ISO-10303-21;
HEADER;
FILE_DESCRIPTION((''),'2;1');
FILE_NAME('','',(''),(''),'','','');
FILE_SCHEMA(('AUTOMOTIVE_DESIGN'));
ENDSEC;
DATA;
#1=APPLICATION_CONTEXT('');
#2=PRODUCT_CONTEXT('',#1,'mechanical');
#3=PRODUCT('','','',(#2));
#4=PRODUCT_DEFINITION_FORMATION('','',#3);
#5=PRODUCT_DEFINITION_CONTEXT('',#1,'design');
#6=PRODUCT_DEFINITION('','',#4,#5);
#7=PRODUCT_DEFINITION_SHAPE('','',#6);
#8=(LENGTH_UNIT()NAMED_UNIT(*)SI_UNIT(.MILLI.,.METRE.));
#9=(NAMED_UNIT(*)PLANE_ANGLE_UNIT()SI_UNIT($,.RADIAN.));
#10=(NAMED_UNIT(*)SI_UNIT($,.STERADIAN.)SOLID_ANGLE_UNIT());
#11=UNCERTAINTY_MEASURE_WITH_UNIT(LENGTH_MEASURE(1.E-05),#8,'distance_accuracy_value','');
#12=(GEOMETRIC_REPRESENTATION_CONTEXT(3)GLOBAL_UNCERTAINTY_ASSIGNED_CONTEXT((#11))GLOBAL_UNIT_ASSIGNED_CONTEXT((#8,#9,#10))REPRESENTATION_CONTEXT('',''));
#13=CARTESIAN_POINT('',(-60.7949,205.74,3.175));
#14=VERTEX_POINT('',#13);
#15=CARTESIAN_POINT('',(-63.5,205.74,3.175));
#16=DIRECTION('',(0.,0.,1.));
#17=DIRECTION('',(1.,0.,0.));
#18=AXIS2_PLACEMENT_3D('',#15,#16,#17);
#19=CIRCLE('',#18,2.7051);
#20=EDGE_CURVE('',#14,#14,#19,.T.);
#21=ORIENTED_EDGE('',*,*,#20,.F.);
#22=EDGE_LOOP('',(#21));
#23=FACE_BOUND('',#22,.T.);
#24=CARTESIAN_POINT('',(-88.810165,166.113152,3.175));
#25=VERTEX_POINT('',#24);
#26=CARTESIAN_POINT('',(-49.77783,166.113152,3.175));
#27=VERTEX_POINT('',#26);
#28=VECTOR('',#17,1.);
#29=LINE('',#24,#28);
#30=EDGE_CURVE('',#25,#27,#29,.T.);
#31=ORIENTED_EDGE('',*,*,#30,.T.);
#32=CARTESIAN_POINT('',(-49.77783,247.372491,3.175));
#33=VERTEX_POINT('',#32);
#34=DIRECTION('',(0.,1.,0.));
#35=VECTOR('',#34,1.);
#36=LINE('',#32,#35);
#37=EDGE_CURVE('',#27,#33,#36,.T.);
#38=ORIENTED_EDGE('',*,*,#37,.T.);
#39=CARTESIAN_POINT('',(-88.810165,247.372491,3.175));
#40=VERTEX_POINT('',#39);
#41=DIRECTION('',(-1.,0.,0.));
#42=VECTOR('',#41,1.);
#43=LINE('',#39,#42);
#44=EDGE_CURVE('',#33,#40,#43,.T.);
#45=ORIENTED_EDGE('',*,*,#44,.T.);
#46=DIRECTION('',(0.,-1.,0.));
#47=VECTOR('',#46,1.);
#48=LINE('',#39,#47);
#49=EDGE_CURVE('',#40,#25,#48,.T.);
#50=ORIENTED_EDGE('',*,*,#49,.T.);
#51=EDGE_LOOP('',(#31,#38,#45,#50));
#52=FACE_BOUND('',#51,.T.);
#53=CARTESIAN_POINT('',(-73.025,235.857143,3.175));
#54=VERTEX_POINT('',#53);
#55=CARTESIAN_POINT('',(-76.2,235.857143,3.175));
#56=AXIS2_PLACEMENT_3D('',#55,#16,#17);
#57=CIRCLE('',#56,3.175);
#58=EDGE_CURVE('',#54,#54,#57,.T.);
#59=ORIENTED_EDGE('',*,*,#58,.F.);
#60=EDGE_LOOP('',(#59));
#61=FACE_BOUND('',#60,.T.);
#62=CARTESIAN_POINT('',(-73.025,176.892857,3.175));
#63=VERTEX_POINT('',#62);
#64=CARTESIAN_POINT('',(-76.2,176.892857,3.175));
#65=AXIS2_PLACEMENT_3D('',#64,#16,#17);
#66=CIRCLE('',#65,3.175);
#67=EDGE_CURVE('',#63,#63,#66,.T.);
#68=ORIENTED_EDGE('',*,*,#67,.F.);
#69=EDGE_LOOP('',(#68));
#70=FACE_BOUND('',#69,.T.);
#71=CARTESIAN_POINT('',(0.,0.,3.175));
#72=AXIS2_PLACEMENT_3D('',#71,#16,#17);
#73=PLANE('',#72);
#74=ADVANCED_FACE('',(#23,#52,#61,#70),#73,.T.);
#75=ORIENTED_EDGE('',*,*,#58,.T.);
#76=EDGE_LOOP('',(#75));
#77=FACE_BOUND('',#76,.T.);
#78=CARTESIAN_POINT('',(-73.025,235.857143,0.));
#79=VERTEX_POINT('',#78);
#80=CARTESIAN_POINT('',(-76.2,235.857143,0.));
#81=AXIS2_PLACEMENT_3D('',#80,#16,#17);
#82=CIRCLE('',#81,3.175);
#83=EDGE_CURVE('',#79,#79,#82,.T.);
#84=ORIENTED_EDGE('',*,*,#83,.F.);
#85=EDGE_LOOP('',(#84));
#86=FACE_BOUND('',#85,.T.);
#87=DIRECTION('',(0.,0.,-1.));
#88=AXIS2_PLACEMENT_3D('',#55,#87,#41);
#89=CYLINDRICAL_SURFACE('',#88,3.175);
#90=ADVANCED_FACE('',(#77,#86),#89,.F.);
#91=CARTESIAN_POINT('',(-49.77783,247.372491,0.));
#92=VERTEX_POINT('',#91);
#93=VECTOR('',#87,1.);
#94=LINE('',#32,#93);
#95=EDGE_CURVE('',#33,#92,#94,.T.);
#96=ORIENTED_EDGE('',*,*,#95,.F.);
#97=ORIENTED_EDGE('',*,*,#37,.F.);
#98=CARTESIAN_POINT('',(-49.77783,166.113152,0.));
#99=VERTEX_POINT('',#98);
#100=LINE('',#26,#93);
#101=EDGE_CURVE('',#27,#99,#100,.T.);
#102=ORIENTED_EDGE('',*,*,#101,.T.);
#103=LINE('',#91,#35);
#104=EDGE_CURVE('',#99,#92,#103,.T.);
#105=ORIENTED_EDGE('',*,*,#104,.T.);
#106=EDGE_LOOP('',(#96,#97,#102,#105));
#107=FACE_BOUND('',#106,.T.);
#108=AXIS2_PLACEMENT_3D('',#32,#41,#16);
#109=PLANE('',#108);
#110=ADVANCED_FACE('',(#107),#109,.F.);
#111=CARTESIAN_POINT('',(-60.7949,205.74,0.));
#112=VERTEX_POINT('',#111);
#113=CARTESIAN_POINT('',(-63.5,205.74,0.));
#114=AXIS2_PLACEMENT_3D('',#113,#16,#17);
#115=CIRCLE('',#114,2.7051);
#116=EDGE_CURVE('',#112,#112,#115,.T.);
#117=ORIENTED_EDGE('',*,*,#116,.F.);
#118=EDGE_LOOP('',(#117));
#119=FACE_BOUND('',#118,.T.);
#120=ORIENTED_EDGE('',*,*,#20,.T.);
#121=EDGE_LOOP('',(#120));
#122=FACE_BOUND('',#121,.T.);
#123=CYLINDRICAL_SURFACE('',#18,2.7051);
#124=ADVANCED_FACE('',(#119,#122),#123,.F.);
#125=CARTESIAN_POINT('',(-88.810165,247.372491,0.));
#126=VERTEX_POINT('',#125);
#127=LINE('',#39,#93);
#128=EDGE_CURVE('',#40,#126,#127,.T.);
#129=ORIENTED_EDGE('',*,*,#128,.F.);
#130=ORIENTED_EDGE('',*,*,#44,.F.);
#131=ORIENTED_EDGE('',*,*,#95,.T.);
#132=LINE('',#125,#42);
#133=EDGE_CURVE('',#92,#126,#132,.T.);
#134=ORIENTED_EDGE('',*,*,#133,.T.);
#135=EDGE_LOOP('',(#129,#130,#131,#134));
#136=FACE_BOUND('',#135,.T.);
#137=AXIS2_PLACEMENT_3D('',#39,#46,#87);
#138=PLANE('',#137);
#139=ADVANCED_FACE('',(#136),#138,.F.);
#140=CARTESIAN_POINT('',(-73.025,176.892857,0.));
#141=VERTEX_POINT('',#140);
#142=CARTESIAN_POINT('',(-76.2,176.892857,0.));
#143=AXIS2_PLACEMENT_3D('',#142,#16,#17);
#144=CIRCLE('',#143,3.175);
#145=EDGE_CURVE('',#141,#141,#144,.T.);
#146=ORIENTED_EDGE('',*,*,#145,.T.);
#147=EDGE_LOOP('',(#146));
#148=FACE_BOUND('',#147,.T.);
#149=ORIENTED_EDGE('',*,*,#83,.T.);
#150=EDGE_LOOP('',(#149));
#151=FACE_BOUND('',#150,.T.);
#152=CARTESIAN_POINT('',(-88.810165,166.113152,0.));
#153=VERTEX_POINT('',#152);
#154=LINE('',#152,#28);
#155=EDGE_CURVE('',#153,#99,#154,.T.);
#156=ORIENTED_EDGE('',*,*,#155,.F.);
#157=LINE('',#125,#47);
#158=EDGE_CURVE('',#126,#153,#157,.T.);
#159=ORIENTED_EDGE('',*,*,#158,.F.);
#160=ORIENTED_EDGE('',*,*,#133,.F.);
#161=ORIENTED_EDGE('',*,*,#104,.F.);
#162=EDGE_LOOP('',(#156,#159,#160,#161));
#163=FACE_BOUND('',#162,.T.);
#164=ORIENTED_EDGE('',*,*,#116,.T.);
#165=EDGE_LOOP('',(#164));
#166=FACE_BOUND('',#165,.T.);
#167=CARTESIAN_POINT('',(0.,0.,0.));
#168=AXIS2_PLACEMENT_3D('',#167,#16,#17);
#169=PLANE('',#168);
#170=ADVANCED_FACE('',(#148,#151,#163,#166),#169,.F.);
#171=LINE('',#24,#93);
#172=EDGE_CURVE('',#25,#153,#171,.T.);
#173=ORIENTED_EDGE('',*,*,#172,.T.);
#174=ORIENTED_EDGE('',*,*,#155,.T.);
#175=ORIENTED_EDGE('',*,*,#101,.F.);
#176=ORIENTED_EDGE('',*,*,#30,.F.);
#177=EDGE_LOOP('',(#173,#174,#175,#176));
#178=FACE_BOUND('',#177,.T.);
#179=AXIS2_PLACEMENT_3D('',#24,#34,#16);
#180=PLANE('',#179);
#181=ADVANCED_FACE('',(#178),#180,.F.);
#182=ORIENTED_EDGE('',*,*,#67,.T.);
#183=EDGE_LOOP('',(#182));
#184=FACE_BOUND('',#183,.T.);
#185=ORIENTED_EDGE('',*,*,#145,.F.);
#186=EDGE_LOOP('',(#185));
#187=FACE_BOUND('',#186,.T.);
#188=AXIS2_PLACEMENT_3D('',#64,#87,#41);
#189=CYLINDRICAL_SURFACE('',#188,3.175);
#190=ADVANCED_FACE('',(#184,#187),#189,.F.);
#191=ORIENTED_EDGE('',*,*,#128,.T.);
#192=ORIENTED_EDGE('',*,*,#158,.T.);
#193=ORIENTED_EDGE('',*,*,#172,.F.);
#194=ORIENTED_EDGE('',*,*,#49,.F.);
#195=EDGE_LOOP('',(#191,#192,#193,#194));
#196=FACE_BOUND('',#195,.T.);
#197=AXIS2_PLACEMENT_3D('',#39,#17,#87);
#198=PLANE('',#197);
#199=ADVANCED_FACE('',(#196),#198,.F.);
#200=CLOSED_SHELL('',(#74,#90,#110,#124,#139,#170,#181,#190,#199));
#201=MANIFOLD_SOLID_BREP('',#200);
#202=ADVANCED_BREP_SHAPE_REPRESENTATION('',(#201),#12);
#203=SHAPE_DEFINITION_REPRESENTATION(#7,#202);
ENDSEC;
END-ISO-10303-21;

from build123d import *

# Parameters (mm, degrees)
SKETCH1_W               = 39.032335112
SKETCH1_H               = 81.259338173
SKETCH1_R               = 3.175
BOSS_EXTRUDE1_DEPTH     = 3.175
F_1_4_28_TAPPED_HOLE1_D = 5.4102


with BuildPart() as part:
    # Sketch1 → Boss-Extrude1 (new body)
    with BuildSketch(Plane.XY):
        with Locations((-69.293997496, 206.742821462)):
            Rectangle(SKETCH1_W, SKETCH1_H)
        with Locations((-76.2, 235.857142857)):
            Circle(SKETCH1_R, mode=Mode.SUBTRACT)
        with Locations((-76.2, 176.892857143)):
            Circle(SKETCH1_R, mode=Mode.SUBTRACT)
    extrude(amount=BOSS_EXTRUDE1_DEPTH)

    # 1/4-28 Tapped Hole1 (through all)
    with Locations(Plane.XY.offset(3.175)):
        with Locations((-63.5, 205.74)):
            Hole(F_1_4_28_TAPPED_HOLE1_D / 2)


solid = part.part
